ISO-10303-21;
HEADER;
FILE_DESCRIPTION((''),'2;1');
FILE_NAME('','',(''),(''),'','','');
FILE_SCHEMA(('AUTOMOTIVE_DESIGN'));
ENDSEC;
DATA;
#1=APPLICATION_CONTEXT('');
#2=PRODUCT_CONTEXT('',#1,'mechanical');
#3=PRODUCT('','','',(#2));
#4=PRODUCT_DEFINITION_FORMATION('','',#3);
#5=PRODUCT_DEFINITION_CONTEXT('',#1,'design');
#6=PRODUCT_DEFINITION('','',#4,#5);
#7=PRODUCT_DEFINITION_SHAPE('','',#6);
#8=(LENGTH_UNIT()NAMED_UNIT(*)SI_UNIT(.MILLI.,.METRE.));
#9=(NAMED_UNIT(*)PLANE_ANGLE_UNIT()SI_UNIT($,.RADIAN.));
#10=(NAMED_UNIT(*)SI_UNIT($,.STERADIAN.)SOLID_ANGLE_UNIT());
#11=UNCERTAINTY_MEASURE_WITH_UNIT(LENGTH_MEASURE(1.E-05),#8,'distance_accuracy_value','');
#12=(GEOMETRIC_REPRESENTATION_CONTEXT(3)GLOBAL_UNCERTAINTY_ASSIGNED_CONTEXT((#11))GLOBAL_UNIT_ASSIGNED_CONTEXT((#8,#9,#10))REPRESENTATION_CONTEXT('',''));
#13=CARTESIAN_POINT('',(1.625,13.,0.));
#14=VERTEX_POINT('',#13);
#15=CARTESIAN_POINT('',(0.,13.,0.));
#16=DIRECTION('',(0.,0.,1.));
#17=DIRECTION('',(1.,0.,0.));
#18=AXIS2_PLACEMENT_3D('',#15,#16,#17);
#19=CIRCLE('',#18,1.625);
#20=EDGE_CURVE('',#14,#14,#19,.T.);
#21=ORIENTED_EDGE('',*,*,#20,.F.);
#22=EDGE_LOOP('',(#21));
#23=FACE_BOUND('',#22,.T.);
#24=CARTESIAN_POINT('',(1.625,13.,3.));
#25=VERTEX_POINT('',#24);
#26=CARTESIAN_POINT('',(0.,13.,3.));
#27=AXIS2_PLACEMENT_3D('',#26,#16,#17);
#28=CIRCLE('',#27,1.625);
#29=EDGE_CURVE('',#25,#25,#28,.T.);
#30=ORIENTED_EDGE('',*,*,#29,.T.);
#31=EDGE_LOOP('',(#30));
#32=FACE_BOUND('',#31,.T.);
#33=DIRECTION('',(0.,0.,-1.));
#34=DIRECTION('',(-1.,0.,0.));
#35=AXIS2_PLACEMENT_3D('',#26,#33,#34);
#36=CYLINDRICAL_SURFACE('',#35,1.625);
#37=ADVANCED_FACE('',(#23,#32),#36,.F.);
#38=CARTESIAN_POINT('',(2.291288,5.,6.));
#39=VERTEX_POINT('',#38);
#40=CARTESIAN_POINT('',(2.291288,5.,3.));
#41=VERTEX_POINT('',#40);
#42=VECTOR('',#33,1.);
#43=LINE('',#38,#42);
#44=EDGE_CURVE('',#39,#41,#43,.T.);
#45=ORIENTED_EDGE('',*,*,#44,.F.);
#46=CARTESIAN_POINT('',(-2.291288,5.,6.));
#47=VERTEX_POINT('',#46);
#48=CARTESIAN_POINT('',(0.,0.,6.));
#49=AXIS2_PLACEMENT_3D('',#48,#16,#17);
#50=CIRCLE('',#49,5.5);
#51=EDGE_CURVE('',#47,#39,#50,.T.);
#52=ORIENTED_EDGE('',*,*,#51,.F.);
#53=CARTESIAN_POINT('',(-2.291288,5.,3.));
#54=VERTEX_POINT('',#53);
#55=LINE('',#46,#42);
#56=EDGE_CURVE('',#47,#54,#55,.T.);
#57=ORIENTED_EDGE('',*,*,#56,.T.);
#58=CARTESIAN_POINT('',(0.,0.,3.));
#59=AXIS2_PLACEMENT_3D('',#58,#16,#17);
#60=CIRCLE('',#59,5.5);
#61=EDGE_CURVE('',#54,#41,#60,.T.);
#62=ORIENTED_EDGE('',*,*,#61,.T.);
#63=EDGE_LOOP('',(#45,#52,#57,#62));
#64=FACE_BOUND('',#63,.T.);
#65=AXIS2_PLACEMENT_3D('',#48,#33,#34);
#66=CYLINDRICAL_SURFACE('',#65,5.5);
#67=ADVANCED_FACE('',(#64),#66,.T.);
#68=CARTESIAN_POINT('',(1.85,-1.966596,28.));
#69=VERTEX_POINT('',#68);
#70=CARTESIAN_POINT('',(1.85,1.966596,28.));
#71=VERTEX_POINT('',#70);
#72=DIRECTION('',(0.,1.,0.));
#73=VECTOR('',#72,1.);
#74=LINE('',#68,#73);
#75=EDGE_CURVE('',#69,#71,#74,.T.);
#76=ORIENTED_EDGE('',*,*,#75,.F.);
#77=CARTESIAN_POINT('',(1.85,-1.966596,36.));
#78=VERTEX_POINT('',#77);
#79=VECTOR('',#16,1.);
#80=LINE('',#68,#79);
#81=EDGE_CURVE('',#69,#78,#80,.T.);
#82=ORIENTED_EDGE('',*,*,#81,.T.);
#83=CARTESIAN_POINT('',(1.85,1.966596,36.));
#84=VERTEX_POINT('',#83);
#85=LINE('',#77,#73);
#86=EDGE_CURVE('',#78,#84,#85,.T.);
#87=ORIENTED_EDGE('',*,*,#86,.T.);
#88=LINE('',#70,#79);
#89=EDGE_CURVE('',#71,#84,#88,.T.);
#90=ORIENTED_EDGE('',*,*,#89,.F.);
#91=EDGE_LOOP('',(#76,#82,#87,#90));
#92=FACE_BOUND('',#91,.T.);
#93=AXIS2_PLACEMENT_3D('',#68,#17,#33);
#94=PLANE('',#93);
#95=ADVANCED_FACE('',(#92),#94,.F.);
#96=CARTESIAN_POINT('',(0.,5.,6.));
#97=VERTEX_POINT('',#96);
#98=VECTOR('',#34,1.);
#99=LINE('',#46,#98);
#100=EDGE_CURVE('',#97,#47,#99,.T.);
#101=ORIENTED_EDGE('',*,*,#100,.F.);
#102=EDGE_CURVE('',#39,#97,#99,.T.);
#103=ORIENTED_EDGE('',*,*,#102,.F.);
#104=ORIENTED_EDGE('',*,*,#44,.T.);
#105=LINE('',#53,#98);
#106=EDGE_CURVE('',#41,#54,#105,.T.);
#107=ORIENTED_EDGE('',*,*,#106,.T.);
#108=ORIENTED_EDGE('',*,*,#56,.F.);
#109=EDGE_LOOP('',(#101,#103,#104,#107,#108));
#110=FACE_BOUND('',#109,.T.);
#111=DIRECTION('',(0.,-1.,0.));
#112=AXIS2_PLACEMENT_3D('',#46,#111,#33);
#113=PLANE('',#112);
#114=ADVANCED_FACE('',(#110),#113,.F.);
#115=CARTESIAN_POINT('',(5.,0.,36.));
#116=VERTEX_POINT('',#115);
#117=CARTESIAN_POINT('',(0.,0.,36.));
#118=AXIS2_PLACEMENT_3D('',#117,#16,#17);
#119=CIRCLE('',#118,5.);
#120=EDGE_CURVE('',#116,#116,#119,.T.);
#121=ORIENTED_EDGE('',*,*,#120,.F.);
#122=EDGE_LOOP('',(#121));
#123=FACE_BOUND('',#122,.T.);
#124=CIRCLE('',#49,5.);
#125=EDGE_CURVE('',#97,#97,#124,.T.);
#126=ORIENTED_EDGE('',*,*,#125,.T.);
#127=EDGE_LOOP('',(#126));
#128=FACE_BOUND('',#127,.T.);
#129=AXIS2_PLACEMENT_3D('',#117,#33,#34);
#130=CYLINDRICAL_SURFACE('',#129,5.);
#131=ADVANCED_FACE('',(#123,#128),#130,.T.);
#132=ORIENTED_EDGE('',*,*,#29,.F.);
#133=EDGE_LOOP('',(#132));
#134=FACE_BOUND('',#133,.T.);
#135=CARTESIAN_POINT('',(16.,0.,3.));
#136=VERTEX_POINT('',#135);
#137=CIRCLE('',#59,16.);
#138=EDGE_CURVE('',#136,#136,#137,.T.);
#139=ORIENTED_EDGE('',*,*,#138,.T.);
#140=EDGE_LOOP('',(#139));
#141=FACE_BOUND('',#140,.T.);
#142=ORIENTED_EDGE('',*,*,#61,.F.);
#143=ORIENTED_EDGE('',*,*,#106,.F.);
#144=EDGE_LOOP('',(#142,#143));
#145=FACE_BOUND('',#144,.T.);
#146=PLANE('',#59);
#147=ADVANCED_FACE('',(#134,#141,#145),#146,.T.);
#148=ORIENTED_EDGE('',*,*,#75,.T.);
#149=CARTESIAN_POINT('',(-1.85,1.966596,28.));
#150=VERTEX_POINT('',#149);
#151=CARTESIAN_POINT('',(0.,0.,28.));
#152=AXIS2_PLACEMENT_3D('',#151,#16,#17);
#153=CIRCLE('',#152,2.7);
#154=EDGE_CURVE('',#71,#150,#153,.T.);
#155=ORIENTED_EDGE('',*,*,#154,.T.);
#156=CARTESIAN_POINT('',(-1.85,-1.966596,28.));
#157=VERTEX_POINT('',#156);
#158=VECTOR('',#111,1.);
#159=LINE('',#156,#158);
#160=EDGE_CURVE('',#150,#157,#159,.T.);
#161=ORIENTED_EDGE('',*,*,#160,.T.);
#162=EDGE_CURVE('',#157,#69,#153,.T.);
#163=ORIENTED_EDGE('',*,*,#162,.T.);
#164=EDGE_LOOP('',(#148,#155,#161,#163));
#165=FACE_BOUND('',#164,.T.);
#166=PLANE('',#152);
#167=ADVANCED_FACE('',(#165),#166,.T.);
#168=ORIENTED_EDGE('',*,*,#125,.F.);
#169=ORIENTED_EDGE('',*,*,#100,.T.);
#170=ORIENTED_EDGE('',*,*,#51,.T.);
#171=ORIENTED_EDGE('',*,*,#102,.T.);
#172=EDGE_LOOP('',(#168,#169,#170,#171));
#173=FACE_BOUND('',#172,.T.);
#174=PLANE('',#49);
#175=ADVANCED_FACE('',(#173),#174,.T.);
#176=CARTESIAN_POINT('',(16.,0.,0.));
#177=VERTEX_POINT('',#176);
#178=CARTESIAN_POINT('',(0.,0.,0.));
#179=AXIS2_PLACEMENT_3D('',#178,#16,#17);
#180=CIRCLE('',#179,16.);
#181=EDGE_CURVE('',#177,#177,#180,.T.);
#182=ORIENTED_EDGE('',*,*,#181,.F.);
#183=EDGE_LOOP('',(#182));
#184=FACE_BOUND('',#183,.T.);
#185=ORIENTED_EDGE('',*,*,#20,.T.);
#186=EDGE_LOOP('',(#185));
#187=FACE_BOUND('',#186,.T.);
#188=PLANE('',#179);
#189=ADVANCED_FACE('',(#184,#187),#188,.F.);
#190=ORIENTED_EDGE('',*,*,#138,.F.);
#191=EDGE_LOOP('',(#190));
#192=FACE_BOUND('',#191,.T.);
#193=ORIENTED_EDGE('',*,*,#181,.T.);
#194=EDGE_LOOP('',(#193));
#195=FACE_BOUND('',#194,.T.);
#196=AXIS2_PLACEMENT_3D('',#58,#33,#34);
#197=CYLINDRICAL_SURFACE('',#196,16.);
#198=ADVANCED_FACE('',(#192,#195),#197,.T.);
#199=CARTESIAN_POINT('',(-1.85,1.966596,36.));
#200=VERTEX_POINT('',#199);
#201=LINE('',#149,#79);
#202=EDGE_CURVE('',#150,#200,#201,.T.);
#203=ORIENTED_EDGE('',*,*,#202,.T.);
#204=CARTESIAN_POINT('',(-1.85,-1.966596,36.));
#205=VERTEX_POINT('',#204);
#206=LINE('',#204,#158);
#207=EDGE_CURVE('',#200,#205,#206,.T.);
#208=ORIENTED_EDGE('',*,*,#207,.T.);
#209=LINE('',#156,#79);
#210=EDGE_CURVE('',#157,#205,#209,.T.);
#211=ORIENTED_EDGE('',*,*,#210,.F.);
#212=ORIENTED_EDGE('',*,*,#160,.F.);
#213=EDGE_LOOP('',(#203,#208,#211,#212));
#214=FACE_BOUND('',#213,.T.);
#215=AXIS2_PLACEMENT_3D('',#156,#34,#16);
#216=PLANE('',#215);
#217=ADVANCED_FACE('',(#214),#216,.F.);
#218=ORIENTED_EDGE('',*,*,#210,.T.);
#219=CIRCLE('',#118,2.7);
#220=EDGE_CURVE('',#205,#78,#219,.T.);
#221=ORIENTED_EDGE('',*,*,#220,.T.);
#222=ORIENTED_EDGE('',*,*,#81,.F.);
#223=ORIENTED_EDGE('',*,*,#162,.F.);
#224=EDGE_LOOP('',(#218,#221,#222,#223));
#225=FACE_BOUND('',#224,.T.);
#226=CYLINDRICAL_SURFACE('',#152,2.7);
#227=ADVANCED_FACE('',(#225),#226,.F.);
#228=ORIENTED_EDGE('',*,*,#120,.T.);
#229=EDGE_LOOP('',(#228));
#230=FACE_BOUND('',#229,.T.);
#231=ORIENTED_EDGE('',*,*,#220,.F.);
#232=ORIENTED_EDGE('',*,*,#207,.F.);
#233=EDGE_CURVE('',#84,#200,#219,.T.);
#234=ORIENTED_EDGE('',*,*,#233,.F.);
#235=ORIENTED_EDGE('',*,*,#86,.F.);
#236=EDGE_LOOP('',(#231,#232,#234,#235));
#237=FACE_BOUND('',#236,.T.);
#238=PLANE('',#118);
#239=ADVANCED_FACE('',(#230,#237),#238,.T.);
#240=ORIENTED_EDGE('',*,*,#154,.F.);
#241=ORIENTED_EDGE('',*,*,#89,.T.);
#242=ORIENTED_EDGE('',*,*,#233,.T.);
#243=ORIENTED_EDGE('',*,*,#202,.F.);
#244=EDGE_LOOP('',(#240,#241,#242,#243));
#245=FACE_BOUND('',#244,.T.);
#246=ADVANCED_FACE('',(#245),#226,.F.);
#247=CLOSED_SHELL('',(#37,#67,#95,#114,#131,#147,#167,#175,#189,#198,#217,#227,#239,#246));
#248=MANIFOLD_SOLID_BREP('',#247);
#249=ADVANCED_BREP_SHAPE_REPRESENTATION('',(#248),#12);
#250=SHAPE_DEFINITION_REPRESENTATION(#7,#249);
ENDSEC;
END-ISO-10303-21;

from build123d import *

# Parameters (mm, degrees)
SKETCH1_R           = 16
SKETCH1_R_2         = 1.625
BOSS_EXTRUDE1_DEPTH = 3
BOSS_EXTRUDE2_DEPTH = 3
SKETCH3_R           = 5
BOSS_EXTRUDE3_DEPTH = 30
CUT_EXTRUDE1_DEPTH  = 8


with BuildPart() as part:
    # Sketch1 → Boss-Extrude1 (new body)
    with BuildSketch(Plane.XY):
        Circle(SKETCH1_R)
        with Locations((0, 13)):
            Circle(SKETCH1_R_2, mode=Mode.SUBTRACT)
    extrude(amount=BOSS_EXTRUDE1_DEPTH)

    # Sketch2 → Boss-Extrude2 (add)
    with BuildSketch(Plane.XY.offset(3)):
        with BuildLine():
            Line((-2.291287847, 5), (2.291287847, 5))
            ThreePointArc((2.291287847, 5), (0, -5.5), (-2.291287847, 5))
        make_face()
    extrude(amount=BOSS_EXTRUDE2_DEPTH)

    # Sketch3 → Boss-Extrude3 (add)
    with BuildSketch(Plane.XY.offset(6)):
        with Locations(Location((0, 0, 0), (0, 0, 90))):
            Circle(SKETCH3_R)
    extrude(amount=BOSS_EXTRUDE3_DEPTH)

    # Sketch4 → Cut-Extrude1 (cut)
    with BuildSketch(Plane.XY.offset(36)):
        with BuildLine():
            Line((1.85, -1.966596044), (1.85, 1.966596044))
            ThreePointArc((1.85, 1.966596044), (0, 2.7), (-1.85, 1.966596044))
            Line((-1.85, 1.966596044), (-1.85, -1.966596044))
            ThreePointArc((-1.85, -1.966596044), (0, -2.7), (1.85, -1.966596044))
        make_face()
    extrude(amount=-CUT_EXTRUDE1_DEPTH, mode=Mode.SUBTRACT)


solid = part.part
